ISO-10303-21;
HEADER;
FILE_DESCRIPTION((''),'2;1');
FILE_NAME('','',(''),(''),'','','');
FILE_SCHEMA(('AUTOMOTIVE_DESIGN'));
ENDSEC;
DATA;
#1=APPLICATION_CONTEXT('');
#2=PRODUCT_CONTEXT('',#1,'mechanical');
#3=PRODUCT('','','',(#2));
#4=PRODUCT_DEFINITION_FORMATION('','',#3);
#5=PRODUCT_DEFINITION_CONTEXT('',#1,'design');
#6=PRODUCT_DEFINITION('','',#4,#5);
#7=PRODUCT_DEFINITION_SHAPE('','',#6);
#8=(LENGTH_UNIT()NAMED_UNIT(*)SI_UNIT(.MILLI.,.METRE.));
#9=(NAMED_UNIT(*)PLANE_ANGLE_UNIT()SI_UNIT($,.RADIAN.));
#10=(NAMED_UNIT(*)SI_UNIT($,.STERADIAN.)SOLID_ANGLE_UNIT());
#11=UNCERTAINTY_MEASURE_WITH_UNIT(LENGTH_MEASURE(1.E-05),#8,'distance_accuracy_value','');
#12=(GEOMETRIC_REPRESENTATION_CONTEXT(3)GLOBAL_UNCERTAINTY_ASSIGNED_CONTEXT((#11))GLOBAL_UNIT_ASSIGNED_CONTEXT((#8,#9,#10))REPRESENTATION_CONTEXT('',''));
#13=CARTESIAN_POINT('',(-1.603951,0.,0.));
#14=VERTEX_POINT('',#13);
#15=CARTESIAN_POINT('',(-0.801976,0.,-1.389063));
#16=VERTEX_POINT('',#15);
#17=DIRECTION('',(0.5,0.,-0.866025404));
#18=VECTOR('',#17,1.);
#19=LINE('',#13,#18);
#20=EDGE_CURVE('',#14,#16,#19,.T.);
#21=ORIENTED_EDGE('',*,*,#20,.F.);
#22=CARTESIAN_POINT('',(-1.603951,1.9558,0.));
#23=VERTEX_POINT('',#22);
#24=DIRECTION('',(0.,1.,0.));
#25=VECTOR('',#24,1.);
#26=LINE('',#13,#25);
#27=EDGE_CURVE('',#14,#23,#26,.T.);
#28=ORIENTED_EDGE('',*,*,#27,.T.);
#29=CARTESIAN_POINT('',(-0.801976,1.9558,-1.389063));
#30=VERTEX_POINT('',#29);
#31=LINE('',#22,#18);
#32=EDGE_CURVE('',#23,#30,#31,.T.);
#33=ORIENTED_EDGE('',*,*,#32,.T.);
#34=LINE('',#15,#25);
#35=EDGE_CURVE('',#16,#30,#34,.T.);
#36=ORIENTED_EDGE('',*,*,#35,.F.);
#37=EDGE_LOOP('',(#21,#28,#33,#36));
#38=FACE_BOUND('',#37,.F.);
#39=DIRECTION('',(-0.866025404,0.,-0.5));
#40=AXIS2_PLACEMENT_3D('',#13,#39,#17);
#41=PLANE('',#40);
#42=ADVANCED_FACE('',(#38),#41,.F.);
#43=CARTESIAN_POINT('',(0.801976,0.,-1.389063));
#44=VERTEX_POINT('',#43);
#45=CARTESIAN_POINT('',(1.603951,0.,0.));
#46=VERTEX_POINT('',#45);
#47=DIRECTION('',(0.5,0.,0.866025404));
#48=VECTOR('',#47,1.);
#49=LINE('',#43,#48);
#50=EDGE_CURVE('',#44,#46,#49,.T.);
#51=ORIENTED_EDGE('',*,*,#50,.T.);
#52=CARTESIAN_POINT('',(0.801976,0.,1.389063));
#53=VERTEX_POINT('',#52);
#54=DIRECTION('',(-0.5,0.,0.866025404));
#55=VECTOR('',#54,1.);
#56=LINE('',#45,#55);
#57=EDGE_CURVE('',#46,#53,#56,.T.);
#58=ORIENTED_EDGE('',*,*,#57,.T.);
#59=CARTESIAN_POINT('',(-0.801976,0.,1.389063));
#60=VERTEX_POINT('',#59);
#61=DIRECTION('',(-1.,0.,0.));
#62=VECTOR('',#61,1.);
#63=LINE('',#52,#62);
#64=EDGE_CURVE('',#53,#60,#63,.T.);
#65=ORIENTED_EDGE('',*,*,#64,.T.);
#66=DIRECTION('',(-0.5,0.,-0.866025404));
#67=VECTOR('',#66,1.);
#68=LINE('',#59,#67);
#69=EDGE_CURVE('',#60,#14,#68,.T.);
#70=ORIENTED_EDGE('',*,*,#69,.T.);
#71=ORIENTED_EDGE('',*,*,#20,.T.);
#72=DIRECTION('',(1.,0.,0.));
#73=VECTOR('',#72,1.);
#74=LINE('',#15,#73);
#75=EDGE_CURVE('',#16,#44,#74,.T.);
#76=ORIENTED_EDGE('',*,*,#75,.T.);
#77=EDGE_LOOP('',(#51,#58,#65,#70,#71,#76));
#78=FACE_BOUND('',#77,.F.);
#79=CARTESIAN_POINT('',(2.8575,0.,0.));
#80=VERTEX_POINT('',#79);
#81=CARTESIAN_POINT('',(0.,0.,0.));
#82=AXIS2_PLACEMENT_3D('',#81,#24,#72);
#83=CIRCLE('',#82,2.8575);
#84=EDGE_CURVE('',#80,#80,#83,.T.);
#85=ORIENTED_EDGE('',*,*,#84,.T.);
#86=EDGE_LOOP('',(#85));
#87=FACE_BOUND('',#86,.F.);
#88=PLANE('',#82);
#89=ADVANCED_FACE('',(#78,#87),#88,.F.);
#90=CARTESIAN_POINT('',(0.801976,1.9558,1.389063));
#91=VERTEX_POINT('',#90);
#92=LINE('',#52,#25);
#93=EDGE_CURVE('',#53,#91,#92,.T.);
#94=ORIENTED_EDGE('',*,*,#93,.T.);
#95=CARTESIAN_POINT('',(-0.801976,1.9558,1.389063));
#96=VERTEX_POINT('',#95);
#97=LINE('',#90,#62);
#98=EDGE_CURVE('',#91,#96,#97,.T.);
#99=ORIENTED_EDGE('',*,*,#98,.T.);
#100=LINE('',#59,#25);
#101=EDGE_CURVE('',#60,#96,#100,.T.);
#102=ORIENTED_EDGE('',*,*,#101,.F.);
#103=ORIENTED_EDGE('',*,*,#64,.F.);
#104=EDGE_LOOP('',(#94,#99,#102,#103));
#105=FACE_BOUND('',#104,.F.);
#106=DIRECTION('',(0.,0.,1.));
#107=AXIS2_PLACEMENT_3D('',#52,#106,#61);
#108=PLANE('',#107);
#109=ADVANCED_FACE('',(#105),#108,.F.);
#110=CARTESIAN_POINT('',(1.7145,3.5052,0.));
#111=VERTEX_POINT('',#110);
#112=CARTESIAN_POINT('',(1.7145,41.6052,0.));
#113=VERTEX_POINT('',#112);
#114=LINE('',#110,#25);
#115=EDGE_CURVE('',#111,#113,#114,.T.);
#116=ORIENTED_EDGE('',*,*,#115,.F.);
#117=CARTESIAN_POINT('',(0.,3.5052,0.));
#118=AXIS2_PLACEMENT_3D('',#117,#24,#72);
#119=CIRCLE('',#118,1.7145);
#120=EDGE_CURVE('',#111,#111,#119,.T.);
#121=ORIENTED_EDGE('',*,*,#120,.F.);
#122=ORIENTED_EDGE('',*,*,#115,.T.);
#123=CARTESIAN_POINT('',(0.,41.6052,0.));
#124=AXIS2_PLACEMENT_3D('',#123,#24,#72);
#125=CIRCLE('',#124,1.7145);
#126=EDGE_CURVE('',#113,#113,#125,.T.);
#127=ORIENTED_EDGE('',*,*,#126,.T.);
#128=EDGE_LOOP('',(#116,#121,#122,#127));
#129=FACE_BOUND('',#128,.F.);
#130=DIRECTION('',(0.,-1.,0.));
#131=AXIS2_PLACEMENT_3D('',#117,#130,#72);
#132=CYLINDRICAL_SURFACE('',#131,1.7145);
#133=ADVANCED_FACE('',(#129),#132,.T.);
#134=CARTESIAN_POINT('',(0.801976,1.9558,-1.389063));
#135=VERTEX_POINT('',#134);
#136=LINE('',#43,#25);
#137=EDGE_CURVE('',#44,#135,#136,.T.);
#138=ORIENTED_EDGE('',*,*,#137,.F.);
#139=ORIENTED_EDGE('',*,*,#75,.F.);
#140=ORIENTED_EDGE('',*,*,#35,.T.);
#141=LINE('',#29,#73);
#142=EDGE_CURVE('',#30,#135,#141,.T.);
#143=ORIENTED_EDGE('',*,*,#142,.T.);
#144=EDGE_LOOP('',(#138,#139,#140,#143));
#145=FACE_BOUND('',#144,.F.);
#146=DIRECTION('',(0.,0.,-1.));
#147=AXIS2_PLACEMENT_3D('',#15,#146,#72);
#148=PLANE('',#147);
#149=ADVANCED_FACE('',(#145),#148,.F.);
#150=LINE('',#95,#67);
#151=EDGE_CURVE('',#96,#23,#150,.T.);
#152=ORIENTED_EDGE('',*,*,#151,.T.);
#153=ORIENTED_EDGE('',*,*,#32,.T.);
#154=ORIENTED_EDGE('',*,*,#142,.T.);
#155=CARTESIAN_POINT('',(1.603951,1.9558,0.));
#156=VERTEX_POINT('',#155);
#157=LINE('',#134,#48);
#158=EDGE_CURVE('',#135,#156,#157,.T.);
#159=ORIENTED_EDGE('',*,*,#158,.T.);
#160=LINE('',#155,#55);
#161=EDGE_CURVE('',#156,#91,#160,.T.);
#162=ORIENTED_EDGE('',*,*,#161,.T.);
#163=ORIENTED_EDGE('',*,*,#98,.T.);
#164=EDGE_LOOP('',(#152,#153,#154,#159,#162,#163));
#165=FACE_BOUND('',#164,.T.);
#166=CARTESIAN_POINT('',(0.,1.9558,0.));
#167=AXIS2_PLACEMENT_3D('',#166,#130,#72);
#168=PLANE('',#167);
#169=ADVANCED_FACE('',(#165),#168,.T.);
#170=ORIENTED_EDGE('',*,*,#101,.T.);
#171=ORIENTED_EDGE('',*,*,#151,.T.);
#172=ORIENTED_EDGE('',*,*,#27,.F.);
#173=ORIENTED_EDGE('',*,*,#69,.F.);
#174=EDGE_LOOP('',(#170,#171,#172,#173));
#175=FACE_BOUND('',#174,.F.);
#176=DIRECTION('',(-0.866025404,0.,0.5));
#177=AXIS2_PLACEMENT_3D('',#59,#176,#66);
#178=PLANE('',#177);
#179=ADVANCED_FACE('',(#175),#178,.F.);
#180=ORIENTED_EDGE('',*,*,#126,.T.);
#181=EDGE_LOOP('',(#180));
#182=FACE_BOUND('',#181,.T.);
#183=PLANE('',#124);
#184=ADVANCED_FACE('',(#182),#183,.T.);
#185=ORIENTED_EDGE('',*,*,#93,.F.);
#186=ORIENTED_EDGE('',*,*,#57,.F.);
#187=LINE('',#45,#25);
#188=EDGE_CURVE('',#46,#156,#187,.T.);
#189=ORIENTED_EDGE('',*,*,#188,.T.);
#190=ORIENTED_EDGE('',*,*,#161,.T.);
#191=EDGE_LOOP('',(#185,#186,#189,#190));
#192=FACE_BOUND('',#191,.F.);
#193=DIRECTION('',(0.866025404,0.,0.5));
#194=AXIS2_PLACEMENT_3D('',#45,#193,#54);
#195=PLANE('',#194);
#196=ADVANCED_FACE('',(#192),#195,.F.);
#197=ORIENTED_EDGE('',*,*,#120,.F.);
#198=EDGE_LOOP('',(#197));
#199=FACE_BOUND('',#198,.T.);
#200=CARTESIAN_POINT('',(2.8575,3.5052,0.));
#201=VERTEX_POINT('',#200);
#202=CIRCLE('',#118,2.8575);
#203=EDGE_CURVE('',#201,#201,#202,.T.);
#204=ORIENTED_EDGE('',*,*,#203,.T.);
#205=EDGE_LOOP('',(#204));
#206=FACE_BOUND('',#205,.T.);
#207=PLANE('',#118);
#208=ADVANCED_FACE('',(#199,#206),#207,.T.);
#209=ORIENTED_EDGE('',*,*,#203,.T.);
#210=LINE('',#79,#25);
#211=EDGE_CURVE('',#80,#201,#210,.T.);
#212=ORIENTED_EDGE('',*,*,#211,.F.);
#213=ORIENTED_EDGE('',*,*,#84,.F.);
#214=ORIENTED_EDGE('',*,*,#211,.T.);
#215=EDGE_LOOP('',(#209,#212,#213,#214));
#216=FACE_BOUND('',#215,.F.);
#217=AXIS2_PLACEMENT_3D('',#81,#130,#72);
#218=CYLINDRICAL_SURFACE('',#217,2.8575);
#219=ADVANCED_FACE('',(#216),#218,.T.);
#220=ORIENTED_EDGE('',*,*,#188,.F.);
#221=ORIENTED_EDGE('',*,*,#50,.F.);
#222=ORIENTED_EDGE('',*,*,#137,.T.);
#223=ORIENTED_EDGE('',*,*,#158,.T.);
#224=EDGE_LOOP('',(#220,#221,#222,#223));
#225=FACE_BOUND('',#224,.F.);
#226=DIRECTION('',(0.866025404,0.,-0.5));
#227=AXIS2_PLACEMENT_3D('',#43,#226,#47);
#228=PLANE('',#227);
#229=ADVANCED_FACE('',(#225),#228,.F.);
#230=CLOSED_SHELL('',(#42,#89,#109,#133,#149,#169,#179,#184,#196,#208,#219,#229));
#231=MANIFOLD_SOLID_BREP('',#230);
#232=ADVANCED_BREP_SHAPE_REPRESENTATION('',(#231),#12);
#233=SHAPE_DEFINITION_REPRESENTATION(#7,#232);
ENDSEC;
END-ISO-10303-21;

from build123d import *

# Parameters (mm, degrees)
SKETCH1_R           = 2.8575
BOSS_EXTRUDE1_DEPTH = 3.5052
CUT_EXTRUDE1_DEPTH  = 1.9558
SKETCH3_R           = 1.7145
BOSS_EXTRUDE2_DEPTH = 38.1


with BuildPart() as part:
    # Sketch1 → Boss-Extrude1 (new body)
    with BuildSketch(Plane(origin=(0, 0, 0), x_dir=(1, 0, 0), z_dir=(0, 1, 0))):
        Circle(SKETCH1_R)
    extrude(amount=BOSS_EXTRUDE1_DEPTH)

    # Sketch2 → Cut-Extrude1 (cut)
    with BuildSketch(Plane.XZ):
        Polygon((1.603951217, 0), (0.801975608, 1.3890625), (-0.801975608, 1.3890625), (-1.603951217, 0), (-0.801975608, -1.3890625), (0.801975608, -1.3890625), align=None)
    extrude(amount=-CUT_EXTRUDE1_DEPTH, mode=Mode.SUBTRACT)

    # Sketch3 → Boss-Extrude2 (add)
    with BuildSketch(Plane(origin=(0, 3.5052, 0), x_dir=(1, 0, 0), z_dir=(0, 1, 0))):
        Circle(SKETCH3_R)
    extrude(amount=BOSS_EXTRUDE2_DEPTH)


solid = part.part
